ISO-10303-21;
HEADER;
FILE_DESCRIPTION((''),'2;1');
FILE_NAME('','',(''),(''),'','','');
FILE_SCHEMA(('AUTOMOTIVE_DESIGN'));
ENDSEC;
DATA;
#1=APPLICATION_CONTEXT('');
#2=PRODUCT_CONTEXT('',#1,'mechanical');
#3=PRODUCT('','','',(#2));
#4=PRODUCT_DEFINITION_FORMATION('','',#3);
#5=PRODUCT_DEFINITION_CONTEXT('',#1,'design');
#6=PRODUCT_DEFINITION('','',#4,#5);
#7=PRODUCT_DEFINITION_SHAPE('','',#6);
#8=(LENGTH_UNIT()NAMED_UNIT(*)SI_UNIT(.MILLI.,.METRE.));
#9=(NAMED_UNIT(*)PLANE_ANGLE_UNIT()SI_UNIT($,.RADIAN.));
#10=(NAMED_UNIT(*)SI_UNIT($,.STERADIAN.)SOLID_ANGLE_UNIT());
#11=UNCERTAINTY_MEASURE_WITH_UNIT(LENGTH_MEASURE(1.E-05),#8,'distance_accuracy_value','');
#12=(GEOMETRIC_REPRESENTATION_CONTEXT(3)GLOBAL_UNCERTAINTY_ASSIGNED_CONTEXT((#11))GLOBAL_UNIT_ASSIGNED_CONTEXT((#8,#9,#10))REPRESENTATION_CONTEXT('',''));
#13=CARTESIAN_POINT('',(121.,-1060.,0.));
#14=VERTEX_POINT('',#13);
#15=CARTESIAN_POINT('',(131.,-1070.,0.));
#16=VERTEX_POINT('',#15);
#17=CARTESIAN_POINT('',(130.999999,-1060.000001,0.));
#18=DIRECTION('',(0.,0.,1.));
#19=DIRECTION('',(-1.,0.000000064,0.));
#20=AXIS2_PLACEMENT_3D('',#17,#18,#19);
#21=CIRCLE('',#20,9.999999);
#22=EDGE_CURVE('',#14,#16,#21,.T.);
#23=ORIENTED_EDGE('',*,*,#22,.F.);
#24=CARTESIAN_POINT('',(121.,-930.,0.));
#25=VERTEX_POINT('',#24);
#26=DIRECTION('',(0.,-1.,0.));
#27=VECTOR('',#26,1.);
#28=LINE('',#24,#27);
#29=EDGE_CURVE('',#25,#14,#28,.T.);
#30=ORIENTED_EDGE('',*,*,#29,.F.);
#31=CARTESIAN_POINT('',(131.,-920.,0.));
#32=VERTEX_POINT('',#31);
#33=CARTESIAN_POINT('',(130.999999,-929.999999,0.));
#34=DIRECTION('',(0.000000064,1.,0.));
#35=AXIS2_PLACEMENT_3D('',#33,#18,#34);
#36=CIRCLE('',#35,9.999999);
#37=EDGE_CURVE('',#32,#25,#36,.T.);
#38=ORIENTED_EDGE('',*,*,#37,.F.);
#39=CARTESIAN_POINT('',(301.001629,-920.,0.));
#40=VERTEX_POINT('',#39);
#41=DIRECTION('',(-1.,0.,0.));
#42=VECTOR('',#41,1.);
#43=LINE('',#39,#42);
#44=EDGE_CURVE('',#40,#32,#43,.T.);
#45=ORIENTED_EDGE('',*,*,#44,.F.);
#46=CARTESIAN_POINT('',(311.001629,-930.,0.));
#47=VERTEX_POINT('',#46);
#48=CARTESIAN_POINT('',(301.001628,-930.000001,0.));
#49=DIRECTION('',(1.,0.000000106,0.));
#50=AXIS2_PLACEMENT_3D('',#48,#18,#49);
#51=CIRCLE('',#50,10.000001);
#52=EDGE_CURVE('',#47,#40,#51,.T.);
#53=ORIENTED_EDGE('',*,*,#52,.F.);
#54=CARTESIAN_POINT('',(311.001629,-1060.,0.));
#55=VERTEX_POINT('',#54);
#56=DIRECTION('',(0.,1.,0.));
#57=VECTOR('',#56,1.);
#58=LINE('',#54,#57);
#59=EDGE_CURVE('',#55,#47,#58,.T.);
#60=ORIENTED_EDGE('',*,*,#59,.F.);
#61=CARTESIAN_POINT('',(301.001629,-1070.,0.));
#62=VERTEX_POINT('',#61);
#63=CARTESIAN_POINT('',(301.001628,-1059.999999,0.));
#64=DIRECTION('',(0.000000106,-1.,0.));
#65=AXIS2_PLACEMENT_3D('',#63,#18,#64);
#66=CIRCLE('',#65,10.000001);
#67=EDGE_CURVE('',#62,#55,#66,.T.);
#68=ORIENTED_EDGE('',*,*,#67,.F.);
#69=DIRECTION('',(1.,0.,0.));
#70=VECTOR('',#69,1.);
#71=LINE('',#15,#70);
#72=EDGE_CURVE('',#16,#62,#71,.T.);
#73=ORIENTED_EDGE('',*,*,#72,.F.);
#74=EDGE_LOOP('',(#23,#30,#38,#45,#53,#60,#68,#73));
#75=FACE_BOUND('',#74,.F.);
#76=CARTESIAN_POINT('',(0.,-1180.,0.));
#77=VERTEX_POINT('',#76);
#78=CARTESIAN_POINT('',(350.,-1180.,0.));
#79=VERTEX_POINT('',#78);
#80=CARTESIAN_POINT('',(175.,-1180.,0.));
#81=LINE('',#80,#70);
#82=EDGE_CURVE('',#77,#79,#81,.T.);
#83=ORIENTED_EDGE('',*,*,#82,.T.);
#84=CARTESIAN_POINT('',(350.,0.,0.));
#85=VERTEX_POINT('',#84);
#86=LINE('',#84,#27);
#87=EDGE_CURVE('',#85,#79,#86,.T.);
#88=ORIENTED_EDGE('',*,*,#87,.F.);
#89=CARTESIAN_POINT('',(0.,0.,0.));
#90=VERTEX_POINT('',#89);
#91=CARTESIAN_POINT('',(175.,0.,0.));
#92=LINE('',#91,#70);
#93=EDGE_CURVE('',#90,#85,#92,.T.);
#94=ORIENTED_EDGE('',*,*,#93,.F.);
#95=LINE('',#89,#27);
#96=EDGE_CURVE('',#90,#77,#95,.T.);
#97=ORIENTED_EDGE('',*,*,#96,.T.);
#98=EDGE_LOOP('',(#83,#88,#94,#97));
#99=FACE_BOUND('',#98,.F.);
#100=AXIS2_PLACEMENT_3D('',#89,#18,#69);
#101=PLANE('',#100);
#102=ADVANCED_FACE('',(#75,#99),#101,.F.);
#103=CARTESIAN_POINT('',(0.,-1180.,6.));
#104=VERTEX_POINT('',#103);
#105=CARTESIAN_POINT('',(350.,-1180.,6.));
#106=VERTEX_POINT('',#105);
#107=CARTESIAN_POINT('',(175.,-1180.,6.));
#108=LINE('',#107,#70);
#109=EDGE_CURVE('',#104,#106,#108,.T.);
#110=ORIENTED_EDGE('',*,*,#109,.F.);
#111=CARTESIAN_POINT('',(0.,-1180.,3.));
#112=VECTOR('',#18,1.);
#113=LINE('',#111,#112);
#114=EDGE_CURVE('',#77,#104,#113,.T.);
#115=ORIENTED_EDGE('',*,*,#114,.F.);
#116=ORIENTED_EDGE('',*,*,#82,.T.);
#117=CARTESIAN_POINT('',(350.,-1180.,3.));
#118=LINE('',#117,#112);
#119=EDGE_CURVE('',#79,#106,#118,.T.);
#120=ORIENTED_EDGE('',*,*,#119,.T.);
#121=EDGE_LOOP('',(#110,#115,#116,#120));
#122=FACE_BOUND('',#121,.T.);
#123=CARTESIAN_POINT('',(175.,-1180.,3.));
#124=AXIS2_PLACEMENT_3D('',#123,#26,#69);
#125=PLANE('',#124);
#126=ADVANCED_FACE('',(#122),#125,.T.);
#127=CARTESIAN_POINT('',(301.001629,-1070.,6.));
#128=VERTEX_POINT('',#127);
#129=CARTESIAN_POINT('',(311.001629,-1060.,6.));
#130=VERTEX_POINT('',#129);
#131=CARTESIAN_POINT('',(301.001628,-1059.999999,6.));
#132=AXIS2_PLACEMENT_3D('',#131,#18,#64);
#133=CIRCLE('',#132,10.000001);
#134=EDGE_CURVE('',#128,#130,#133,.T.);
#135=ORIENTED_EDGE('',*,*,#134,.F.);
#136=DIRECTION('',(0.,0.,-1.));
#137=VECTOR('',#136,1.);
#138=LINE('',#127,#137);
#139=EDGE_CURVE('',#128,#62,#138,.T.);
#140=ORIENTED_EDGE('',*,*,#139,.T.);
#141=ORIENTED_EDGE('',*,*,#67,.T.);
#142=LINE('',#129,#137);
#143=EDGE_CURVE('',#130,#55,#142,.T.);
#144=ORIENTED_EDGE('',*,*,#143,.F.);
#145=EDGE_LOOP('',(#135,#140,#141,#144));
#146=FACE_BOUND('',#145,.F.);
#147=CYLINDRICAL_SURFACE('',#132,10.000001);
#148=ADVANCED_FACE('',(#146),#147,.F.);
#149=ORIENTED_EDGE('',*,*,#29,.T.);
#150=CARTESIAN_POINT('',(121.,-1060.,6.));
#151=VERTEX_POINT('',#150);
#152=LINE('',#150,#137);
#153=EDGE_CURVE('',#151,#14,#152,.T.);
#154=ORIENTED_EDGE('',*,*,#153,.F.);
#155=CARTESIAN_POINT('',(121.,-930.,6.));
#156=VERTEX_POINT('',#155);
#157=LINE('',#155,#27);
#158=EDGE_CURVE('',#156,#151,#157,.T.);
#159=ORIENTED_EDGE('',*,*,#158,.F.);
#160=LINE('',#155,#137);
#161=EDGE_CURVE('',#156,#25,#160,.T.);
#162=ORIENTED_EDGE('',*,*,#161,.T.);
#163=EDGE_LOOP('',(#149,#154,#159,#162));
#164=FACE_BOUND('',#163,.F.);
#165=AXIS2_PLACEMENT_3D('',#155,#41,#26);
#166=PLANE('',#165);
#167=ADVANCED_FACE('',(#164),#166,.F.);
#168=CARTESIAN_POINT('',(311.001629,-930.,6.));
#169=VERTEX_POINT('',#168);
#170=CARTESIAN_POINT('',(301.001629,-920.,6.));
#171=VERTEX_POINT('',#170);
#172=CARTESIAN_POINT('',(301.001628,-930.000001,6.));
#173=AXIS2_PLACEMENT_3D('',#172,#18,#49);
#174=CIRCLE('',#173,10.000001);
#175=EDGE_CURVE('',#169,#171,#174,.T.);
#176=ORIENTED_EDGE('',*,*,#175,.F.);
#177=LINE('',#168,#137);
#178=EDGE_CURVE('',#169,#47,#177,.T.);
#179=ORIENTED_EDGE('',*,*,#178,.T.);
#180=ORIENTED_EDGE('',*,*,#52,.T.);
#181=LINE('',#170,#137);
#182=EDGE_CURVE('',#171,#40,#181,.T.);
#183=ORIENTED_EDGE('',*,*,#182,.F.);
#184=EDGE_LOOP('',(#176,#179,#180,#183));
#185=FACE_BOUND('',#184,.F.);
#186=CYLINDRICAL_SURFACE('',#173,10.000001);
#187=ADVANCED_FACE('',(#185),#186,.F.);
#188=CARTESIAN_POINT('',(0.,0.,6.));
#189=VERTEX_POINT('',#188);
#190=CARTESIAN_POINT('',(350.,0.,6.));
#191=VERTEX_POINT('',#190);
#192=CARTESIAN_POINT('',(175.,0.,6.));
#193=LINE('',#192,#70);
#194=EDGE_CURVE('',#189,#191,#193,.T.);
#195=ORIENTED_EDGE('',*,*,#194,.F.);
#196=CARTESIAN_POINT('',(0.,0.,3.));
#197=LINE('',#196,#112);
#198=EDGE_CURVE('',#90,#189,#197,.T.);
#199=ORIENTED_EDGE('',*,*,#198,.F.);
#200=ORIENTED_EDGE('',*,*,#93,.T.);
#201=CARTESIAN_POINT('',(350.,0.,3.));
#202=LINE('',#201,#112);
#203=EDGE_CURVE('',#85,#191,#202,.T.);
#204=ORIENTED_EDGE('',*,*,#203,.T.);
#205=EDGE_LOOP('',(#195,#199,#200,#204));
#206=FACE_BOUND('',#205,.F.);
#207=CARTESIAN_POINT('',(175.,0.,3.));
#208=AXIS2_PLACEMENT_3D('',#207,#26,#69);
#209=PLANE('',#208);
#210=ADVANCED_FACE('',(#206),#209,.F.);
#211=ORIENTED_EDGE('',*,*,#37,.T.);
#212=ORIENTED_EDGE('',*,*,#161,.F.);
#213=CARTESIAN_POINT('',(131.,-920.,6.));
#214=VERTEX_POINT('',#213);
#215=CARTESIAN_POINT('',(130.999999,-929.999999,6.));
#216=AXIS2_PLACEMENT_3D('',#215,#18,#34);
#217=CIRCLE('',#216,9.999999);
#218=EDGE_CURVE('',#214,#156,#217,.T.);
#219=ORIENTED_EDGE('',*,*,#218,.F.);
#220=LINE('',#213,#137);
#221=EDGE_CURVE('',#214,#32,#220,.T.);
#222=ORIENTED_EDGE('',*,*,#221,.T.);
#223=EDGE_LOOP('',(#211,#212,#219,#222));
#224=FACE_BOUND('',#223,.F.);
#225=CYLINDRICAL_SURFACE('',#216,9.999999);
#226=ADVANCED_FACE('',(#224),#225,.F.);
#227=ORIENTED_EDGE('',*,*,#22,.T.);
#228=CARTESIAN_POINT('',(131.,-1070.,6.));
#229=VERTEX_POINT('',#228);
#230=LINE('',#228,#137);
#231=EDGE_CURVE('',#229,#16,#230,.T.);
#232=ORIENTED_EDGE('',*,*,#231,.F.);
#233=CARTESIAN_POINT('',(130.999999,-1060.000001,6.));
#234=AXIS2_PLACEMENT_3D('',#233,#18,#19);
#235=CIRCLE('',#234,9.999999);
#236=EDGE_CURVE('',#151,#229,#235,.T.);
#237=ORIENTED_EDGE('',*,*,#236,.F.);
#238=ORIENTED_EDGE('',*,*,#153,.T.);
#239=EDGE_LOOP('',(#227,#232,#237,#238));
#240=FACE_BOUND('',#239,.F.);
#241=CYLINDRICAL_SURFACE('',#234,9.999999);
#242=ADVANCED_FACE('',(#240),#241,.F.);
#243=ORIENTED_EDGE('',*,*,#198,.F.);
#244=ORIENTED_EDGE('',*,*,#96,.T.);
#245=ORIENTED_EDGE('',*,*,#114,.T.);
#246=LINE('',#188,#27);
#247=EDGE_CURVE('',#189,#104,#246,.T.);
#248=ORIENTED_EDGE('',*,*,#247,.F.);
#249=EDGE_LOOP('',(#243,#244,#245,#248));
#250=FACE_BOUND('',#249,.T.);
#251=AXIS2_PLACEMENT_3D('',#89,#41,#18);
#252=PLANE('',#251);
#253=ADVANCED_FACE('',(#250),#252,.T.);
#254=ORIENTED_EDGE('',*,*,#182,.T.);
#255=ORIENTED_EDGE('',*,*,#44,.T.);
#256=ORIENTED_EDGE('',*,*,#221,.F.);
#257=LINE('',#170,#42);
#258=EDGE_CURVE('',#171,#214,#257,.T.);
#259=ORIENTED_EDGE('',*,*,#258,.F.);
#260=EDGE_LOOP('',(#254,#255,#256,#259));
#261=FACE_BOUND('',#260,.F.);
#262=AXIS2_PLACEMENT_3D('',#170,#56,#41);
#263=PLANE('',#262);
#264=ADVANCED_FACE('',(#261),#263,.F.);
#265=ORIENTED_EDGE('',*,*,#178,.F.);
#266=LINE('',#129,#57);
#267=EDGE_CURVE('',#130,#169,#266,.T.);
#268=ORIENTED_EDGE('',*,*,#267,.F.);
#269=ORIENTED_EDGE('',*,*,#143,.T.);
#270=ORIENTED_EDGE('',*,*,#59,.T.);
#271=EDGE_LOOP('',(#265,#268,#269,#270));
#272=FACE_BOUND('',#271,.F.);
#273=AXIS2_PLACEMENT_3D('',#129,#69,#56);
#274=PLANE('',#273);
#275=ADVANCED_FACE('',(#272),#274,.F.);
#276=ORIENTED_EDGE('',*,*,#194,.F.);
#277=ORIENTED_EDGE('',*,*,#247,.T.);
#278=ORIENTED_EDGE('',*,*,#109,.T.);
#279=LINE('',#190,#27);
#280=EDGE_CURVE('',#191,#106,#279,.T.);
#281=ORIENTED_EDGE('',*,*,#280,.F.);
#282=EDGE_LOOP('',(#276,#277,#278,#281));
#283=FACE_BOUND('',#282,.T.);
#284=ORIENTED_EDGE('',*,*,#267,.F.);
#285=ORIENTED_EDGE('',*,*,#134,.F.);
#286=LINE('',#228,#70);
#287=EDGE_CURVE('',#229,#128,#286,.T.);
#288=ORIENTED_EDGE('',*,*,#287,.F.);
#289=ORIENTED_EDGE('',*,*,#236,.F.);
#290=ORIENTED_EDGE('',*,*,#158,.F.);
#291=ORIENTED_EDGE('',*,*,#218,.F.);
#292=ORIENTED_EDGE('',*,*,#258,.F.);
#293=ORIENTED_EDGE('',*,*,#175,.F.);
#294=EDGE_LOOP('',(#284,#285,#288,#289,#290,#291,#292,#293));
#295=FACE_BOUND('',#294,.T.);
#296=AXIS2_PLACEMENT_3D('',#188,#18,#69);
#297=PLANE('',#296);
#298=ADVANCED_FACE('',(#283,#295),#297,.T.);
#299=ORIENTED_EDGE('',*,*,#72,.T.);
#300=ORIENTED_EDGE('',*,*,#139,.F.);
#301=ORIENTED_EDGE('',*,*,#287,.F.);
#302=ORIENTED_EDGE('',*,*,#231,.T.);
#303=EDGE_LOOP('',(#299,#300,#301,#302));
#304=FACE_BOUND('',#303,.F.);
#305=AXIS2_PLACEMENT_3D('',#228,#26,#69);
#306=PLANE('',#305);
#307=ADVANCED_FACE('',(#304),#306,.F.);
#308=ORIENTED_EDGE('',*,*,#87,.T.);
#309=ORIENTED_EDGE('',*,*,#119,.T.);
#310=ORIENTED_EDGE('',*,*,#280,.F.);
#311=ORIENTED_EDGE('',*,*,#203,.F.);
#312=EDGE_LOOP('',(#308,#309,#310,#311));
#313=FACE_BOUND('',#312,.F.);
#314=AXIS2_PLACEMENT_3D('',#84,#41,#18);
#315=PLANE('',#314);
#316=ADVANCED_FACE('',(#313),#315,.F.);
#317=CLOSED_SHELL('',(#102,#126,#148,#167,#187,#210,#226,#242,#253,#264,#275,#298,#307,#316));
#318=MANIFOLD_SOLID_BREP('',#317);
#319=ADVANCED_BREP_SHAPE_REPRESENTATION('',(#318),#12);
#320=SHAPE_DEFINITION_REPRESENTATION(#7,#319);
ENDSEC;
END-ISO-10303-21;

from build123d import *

# Parameters (mm, degrees)
F0_W     = 350
F0_H     = 6
F1_DEPTH = 1180
F3_DEPTH = 6


with BuildPart() as f1:
    # F0 (on Front) → F1 (new body)
    with BuildSketch(Plane.XZ):
        with Locations((175, 3)):
            Rectangle(F0_W, F0_H)
    extrude(amount=F1_DEPTH)

    # F2 (on face) → F3 (cut)
    with BuildSketch(Plane.XY.offset(6)):
        with BuildLine():
            Line((311.001629, -1060), (311.001629, -995))
            Line((311.001629, -995), (311.001629, -930))
            ThreePointArc((311.001629, -930), (308.072696, -922.928932), (301.001629, -920))
            Line((301.001629, -920), (131, -920))
            ThreePointArc((131, -920), (123.928932, -922.928932), (121, -930))
            Line((121, -930), (121, -1060))
            ThreePointArc((121, -1060), (123.928932, -1067.071068), (131, -1070))
            Line((131, -1070), (301.001629, -1070))
            ThreePointArc((301.001629, -1070), (308.072696, -1067.071068), (311.001629, -1060))
        make_face()
    extrude(amount=-F3_DEPTH, mode=Mode.SUBTRACT)


solid = f1.part
